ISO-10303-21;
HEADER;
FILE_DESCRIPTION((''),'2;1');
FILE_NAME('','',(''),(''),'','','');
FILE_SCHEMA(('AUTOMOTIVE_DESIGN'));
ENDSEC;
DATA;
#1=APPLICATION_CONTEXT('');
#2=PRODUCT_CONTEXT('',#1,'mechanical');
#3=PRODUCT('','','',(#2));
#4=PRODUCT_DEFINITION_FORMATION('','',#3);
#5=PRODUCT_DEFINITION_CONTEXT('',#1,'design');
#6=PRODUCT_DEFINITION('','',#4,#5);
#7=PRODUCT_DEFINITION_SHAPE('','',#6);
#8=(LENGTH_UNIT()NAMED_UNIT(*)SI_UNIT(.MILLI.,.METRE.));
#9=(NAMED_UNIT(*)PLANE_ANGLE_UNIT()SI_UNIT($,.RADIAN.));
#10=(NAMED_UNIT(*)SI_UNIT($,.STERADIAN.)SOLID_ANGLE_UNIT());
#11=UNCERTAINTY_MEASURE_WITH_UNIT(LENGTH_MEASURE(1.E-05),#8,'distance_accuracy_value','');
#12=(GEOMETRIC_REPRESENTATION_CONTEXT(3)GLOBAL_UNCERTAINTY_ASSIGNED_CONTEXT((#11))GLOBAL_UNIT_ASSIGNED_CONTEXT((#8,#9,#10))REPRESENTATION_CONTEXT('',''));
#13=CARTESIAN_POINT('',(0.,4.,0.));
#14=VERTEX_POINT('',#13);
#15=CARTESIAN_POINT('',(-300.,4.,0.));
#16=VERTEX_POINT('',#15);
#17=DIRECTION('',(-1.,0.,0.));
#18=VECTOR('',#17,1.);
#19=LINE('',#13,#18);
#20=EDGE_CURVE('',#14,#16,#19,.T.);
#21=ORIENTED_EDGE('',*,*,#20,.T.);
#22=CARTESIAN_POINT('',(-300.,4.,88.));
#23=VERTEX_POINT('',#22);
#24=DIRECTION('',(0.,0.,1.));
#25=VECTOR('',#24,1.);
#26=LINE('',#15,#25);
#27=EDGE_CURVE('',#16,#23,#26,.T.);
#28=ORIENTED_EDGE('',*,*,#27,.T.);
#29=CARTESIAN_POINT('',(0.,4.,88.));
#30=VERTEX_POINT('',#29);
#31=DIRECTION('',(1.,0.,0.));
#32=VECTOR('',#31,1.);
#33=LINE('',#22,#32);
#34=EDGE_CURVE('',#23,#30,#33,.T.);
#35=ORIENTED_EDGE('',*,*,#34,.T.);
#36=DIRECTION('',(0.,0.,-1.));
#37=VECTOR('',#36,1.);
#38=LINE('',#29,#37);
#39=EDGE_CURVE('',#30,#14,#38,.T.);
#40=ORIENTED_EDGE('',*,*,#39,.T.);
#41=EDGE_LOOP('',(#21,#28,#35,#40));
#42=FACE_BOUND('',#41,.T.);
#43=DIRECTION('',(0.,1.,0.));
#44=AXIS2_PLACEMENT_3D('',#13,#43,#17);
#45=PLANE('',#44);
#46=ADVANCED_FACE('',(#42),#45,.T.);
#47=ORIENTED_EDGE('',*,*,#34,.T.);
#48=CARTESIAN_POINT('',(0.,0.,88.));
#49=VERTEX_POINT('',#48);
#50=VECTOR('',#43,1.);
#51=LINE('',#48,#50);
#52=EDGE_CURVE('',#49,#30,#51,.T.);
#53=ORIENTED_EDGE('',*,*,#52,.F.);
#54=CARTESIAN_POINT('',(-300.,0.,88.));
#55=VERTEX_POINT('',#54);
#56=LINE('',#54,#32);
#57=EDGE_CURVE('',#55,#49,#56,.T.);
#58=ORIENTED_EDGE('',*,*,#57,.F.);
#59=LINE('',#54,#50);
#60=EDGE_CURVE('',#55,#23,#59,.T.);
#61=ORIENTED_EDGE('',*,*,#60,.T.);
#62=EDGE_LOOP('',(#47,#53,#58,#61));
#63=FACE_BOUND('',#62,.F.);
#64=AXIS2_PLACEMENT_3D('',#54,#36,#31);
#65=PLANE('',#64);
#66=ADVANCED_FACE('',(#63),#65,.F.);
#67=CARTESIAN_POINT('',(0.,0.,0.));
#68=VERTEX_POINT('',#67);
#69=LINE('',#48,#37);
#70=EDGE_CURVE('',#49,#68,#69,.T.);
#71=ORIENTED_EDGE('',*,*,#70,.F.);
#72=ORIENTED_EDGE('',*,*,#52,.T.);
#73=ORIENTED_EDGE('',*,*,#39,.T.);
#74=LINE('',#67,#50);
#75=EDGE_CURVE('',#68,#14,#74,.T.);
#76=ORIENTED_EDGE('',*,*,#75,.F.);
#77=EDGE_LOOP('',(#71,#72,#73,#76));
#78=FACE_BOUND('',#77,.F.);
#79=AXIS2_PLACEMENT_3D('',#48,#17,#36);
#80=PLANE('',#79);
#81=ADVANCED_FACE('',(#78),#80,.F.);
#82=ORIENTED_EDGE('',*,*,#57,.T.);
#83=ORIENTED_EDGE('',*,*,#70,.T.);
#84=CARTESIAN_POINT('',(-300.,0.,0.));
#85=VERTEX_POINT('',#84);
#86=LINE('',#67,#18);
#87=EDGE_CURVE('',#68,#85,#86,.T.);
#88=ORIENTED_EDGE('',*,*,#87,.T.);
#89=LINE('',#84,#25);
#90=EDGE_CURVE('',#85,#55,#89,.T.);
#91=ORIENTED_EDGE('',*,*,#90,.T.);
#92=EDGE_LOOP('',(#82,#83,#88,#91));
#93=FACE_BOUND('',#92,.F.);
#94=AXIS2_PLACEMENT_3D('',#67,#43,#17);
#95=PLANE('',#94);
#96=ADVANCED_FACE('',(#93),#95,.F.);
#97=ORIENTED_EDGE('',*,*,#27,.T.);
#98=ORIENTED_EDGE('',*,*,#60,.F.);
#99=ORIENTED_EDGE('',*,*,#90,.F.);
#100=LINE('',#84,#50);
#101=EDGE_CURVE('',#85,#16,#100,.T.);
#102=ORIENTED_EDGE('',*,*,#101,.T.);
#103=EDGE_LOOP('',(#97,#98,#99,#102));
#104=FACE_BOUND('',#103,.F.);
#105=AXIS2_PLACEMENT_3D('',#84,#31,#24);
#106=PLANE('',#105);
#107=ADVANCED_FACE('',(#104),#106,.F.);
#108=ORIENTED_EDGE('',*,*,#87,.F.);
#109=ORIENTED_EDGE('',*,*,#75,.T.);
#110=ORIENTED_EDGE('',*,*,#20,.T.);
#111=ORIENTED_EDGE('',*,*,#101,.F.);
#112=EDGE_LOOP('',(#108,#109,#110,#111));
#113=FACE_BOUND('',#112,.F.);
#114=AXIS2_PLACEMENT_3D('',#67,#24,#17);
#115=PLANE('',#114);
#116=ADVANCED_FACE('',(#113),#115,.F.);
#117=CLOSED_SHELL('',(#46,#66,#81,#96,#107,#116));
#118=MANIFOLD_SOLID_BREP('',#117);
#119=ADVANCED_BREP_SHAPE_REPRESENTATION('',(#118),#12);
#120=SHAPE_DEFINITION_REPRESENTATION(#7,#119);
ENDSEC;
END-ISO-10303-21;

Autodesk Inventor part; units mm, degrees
ref_plane "YZ Plane" through (0, 0, 0) normal (1, 0, 0) x (0, 1, 0)
ref_plane "XZ Plane" through (0, 0, 0) normal (0, 1, 0) x (-1, 0, 0)
ref_plane "XY Plane" through (0, 0, 0) normal (0, 0, 1) x (1, 0, 0)
sketch "Szkic1" plane through (0, 0, 0) normal (0, 1, 0) x (-1, 0, 0)
  line L0 (0, 0) -> (300, 0)
  line L1 (300, 0) -> (300, 88)
  line L2 (300, 88) -> (0, 88)
  line L3 (0, 88) -> (0, 0)
  dimension "d0" = 300
  dimension "d2" = 88
extrude "Wyciągnięcie proste1" add sketch "Szkic1" along normal blind 4
equation "\"PromieńGięcia\" = Grubość"
equation "\"SzerokośćGięciaPodcięcia\" = Grubość"
equation "\"GłębokośćGięciaPodcięcia\" = 0.5 * Grubość"
equation "\"RozmiarPodcięciaNarożnika\" = 4 * Grubość"
equation "\"MinimalnaPozostałość\" = 2 * Grubość"
equation "\"PromieńPrzejścia\" = PromieńGięcia"
equation "\"Rozmiar_promienia_Jacobiego\" = Grubość"
equation "\"Wielk_odstępu\" = Grubość"
equation "\"Grubość\" = 4"
properties part number "blacha2" material "Aluminium 6061"
